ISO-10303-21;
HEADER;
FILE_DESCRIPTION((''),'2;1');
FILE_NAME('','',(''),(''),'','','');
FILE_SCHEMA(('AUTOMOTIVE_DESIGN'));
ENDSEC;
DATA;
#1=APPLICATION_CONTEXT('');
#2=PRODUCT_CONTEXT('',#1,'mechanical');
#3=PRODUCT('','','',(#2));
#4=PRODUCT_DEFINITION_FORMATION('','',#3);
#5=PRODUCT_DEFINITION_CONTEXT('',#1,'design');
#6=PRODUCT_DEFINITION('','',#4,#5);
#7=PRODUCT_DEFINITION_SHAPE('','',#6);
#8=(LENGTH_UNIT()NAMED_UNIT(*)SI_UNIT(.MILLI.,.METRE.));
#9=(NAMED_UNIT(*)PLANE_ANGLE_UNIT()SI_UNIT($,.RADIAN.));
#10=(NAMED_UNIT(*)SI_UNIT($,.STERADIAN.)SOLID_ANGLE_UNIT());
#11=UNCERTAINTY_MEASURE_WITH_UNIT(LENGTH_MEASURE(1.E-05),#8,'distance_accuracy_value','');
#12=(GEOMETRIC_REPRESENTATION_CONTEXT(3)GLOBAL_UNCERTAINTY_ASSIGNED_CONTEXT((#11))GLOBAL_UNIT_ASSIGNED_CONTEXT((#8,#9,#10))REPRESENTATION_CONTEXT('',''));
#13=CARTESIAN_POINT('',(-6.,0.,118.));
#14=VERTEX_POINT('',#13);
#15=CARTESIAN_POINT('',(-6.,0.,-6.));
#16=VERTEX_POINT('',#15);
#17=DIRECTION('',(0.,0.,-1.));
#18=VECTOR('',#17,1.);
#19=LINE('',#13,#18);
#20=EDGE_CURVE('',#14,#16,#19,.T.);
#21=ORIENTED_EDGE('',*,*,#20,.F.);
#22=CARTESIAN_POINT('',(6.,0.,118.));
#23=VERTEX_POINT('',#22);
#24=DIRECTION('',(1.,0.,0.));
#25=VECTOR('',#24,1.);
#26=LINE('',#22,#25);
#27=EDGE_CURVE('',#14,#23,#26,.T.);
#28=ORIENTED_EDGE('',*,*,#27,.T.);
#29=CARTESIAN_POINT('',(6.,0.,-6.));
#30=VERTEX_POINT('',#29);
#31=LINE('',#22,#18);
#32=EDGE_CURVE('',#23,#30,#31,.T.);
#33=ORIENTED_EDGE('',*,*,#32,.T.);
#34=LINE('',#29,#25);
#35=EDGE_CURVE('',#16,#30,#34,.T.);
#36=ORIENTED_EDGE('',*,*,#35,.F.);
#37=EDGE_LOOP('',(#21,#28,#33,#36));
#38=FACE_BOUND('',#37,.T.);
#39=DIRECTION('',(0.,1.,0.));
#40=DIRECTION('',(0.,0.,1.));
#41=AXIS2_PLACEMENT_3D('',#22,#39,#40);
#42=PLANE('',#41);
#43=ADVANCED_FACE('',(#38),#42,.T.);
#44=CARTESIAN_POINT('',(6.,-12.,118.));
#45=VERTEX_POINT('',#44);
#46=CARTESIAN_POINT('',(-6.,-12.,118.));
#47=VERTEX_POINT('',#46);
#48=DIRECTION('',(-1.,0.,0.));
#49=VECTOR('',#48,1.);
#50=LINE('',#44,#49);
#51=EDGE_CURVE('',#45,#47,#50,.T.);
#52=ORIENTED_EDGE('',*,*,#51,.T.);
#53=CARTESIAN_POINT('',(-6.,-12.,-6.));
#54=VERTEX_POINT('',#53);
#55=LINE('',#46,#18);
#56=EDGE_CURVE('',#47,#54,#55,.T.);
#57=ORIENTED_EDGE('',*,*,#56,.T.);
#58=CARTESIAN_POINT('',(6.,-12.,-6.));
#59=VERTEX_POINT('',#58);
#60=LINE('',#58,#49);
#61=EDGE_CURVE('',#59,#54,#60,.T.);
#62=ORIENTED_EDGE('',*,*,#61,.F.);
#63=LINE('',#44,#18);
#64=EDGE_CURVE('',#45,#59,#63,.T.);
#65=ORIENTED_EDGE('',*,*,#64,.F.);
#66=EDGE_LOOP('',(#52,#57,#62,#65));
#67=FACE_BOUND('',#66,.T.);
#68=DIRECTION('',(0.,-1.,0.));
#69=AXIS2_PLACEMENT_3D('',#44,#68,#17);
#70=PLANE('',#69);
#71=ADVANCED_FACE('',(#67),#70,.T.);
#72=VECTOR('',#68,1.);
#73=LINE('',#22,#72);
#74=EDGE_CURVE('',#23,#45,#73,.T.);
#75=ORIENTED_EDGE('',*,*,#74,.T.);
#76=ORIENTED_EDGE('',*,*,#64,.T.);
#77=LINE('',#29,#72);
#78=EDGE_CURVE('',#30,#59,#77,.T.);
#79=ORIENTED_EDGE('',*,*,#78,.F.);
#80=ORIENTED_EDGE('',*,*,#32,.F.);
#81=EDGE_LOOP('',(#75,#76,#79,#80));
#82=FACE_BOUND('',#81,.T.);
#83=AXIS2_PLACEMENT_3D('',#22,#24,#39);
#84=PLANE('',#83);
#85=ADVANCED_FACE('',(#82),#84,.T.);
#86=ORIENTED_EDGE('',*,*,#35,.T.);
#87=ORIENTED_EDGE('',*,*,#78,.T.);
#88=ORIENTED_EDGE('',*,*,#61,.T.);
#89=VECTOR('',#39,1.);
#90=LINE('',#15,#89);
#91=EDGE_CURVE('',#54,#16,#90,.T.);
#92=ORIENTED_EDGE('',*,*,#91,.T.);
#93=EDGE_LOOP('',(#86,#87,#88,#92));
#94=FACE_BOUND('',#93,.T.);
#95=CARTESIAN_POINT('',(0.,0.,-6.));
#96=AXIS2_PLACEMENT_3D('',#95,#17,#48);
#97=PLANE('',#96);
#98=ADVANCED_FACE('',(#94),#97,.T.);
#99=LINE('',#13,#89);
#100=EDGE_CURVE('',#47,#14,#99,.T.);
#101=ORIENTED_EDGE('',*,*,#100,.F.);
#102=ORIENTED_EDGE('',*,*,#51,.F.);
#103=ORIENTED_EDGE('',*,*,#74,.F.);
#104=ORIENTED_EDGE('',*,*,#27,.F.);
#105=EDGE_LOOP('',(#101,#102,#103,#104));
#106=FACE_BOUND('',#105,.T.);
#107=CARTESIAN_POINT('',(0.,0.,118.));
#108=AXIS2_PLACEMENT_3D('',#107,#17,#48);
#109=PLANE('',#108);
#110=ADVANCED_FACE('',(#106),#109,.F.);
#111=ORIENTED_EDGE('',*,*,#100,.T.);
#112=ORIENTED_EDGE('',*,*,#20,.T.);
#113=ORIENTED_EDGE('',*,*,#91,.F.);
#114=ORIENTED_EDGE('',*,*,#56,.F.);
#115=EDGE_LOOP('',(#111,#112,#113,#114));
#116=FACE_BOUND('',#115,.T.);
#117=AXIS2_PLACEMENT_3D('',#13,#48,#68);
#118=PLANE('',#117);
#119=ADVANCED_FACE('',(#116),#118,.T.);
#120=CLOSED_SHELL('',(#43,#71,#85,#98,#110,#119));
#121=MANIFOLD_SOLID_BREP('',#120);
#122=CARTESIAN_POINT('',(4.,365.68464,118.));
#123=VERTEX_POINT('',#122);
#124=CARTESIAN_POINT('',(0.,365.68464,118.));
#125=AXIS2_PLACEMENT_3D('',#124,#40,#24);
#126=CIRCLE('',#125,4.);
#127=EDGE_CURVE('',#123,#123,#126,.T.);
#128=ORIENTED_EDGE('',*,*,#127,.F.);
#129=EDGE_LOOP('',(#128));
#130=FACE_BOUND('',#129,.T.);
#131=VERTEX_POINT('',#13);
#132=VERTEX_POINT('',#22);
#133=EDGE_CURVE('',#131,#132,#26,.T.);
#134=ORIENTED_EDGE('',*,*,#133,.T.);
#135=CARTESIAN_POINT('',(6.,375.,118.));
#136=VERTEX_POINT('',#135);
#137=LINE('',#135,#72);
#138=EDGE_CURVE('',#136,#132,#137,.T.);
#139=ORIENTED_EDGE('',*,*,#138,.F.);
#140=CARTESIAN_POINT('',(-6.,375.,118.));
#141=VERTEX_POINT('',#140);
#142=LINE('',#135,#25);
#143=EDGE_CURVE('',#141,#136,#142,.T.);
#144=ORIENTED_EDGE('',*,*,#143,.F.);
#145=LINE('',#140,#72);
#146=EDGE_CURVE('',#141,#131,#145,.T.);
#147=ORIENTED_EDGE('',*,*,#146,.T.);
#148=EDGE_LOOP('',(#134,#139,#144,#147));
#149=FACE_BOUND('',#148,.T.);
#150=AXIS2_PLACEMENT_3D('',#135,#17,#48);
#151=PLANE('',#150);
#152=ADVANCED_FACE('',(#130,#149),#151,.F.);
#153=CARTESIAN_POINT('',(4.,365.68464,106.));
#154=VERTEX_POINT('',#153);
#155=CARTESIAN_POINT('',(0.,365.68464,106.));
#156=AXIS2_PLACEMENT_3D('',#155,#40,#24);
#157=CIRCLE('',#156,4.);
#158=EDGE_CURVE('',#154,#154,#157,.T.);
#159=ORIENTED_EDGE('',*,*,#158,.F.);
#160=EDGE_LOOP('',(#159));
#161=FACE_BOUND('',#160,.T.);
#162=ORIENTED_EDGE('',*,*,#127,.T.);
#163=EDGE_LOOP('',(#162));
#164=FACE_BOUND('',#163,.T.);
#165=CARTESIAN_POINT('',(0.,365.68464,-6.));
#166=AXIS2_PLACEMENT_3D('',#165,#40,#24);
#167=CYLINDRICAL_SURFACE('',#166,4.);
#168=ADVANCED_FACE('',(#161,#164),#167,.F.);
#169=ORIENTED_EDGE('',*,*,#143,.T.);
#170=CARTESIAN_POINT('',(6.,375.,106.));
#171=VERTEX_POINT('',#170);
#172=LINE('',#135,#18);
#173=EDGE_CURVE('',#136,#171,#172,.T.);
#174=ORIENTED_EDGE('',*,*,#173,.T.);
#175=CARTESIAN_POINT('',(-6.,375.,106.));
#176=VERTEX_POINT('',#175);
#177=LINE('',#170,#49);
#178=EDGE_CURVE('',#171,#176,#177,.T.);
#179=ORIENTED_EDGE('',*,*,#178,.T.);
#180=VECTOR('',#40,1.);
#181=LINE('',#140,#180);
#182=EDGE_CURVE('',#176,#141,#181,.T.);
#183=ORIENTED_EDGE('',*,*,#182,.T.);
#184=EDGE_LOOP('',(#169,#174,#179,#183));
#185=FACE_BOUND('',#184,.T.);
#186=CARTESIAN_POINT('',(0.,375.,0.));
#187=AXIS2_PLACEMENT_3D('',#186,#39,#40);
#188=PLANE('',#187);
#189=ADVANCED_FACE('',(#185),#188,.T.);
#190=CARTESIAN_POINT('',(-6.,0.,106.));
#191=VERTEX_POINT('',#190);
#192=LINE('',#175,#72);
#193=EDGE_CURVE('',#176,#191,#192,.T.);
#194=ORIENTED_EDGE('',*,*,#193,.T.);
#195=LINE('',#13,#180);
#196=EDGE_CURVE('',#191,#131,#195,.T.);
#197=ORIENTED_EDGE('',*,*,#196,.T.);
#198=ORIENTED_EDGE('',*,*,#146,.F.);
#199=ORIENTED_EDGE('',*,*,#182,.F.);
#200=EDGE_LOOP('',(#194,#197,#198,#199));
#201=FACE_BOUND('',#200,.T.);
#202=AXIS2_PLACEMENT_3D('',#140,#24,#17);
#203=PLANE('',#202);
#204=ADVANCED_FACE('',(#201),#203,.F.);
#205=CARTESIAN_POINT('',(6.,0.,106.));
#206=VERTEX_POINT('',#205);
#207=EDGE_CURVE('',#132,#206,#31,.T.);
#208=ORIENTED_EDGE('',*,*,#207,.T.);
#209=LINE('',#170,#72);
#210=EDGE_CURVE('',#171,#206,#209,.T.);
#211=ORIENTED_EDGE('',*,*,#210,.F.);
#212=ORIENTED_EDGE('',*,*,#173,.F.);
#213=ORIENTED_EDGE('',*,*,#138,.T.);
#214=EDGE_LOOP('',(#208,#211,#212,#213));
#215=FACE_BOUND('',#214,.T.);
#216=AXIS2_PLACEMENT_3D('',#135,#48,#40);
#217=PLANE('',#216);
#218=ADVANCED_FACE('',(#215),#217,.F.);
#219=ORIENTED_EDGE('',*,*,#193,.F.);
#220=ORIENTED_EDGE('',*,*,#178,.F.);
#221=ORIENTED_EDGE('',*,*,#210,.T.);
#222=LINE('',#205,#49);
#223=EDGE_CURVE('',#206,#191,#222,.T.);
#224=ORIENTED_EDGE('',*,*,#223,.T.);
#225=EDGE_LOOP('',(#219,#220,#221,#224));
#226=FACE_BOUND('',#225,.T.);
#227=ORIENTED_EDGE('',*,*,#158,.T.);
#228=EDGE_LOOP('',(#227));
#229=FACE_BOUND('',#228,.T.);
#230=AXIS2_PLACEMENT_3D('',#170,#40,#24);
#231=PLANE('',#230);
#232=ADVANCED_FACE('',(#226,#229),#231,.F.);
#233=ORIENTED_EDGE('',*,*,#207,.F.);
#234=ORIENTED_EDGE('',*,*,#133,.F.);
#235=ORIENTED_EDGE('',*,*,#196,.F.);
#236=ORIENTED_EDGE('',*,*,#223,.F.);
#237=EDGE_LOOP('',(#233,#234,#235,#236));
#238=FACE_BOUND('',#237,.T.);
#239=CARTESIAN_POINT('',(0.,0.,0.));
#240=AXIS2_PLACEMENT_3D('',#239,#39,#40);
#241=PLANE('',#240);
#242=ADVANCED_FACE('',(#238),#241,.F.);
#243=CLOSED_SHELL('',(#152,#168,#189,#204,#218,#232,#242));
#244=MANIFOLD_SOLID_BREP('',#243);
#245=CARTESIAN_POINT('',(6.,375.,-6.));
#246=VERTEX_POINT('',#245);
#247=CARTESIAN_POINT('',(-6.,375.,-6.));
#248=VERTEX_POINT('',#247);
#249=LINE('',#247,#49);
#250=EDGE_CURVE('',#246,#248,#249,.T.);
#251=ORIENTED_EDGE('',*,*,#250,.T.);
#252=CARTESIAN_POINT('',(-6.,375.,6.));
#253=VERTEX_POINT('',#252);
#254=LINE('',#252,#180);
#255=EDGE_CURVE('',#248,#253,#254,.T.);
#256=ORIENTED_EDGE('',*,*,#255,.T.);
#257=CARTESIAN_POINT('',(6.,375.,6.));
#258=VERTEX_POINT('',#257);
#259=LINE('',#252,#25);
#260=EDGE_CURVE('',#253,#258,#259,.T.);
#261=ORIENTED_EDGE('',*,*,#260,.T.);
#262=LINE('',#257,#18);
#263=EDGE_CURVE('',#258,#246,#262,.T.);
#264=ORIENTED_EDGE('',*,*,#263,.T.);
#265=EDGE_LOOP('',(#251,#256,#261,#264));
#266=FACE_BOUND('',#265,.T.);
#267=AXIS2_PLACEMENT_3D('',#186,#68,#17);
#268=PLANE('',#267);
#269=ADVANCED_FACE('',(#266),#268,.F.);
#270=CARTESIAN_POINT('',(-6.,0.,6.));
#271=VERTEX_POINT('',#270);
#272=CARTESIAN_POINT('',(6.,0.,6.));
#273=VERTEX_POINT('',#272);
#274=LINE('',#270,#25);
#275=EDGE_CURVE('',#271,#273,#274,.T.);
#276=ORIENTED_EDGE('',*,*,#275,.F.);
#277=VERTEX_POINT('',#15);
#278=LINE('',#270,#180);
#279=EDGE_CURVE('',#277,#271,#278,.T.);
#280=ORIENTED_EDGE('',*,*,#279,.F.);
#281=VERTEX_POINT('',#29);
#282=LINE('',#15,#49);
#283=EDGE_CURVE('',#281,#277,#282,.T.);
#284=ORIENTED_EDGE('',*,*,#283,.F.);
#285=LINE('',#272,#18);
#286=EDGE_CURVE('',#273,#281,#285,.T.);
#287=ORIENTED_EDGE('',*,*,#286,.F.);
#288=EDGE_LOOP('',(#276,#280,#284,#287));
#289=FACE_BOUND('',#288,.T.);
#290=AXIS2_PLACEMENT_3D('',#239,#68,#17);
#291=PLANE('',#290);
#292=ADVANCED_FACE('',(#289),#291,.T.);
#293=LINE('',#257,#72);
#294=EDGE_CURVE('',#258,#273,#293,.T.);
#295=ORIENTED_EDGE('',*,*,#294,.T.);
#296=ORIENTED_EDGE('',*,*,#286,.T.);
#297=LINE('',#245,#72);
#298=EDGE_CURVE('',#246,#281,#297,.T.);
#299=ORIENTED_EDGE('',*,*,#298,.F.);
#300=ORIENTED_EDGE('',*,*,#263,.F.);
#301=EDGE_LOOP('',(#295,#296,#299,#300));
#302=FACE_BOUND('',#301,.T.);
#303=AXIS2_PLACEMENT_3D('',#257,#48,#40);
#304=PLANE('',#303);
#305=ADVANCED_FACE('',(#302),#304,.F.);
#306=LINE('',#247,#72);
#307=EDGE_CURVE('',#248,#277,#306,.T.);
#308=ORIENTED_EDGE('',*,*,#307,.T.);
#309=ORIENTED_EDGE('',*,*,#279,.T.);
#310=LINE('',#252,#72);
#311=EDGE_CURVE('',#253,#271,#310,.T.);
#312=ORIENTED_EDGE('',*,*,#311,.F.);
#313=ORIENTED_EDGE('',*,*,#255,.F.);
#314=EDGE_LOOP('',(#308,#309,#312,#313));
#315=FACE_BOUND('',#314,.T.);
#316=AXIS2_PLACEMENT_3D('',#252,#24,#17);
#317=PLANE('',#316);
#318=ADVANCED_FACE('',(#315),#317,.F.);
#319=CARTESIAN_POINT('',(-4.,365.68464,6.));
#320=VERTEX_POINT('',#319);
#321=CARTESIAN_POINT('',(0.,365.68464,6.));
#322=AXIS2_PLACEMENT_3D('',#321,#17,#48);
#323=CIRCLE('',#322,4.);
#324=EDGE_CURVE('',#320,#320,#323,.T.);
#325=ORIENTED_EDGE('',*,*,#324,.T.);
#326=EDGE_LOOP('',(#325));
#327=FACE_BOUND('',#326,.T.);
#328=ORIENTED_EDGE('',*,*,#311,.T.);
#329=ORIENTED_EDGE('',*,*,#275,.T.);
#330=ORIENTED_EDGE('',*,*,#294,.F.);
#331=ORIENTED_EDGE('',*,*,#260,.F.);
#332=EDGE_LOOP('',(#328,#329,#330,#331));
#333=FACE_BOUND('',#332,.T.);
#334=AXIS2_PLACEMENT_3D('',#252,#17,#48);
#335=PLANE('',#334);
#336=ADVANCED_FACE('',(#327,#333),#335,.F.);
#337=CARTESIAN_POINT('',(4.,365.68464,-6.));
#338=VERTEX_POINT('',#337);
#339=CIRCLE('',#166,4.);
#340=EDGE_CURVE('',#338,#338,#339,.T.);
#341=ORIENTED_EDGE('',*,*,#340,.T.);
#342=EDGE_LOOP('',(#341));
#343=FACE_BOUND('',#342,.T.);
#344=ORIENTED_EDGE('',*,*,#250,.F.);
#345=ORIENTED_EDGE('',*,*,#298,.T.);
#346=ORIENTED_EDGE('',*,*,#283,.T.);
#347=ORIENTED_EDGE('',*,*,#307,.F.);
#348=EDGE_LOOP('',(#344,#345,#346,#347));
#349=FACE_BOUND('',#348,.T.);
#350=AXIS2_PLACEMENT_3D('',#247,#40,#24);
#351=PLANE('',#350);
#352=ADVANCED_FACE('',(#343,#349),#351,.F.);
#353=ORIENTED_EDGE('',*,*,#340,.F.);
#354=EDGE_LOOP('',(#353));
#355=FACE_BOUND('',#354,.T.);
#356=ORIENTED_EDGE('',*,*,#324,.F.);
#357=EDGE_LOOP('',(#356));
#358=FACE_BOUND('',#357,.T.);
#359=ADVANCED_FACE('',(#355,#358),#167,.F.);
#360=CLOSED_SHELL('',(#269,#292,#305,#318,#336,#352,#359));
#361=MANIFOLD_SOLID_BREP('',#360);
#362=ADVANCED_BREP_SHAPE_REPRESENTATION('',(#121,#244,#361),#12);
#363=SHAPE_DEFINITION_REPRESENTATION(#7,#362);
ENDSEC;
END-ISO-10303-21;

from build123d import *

# Parameters (mm, degrees)
SKETCH1_W               = 12
SKETCH1_H               = 12
BOSS_EXTRUDE1_DEPTH     = 375
SKETCH3_W               = 12
SKETCH3_H               = 12
BOSS_EXTRUDE2_DEPTH     = 124
SKETCH4_W               = 12
SKETCH4_H               = 12
BOSS_EXTRUDE3_DEPTH     = 375
CUT_EXTRUDE2_DEPTH      = 392.414102965
CUT_EXTRUDE2_DEPTH_BACK = 392.414102965
SKETCH2_R               = 4


with BuildPart() as part:
    # Sketch1 → Boss-Extrude1 (new body)
    with BuildSketch(Plane(origin=(0, 0, 0), x_dir=(1, 0, 0), z_dir=(0, 1, 0))):
        Rectangle(SKETCH1_W, SKETCH1_H)
    extrude(amount=BOSS_EXTRUDE1_DEPTH)


with BuildPart() as body_2:
    # Sketch3 → Boss-Extrude2 (new body)
    with BuildSketch(Plane(origin=(0, 0, -6), x_dir=(-1, 0, 0), z_dir=(0, 0, -1))):
        with Locations((0, -6)):
            Rectangle(SKETCH3_W, SKETCH3_H)
    extrude(amount=-BOSS_EXTRUDE2_DEPTH)


with BuildPart() as body_3:
    # Sketch4 → Boss-Extrude3 (new body)
    with BuildSketch(Plane(origin=(0, 0, 0), x_dir=(1, 0, 0), z_dir=(0, 1, 0))):
        with Locations((0, -112)):
            Rectangle(SKETCH4_W, SKETCH4_H)
    extrude(amount=BOSS_EXTRUDE3_DEPTH)


with BuildPart() as cut_extrude2_tool:
    # Sketch2 → Cut-Extrude2 (new, two sides: drawn at the far end of the back side and taken through both)
    with BuildSketch(Plane.XY.offset(6).offset(-CUT_EXTRUDE2_DEPTH_BACK)):
        with Locations((0, 365.684639754)):
            Circle(SKETCH2_R)
    extrude(amount=CUT_EXTRUDE2_DEPTH + CUT_EXTRUDE2_DEPTH_BACK)


with BuildPart() as part_1:
    add(part.part)

    # Cut-Extrude2: cut by cut_extrude2_tool
    add(cut_extrude2_tool.part, mode=Mode.SUBTRACT)


with BuildPart() as body_3_1:
    add(body_3.part)

    # Cut-Extrude2: cut by cut_extrude2_tool
    add(cut_extrude2_tool.part, mode=Mode.SUBTRACT)


solid = Compound([body_2.part, part_1.part, body_3_1.part])
